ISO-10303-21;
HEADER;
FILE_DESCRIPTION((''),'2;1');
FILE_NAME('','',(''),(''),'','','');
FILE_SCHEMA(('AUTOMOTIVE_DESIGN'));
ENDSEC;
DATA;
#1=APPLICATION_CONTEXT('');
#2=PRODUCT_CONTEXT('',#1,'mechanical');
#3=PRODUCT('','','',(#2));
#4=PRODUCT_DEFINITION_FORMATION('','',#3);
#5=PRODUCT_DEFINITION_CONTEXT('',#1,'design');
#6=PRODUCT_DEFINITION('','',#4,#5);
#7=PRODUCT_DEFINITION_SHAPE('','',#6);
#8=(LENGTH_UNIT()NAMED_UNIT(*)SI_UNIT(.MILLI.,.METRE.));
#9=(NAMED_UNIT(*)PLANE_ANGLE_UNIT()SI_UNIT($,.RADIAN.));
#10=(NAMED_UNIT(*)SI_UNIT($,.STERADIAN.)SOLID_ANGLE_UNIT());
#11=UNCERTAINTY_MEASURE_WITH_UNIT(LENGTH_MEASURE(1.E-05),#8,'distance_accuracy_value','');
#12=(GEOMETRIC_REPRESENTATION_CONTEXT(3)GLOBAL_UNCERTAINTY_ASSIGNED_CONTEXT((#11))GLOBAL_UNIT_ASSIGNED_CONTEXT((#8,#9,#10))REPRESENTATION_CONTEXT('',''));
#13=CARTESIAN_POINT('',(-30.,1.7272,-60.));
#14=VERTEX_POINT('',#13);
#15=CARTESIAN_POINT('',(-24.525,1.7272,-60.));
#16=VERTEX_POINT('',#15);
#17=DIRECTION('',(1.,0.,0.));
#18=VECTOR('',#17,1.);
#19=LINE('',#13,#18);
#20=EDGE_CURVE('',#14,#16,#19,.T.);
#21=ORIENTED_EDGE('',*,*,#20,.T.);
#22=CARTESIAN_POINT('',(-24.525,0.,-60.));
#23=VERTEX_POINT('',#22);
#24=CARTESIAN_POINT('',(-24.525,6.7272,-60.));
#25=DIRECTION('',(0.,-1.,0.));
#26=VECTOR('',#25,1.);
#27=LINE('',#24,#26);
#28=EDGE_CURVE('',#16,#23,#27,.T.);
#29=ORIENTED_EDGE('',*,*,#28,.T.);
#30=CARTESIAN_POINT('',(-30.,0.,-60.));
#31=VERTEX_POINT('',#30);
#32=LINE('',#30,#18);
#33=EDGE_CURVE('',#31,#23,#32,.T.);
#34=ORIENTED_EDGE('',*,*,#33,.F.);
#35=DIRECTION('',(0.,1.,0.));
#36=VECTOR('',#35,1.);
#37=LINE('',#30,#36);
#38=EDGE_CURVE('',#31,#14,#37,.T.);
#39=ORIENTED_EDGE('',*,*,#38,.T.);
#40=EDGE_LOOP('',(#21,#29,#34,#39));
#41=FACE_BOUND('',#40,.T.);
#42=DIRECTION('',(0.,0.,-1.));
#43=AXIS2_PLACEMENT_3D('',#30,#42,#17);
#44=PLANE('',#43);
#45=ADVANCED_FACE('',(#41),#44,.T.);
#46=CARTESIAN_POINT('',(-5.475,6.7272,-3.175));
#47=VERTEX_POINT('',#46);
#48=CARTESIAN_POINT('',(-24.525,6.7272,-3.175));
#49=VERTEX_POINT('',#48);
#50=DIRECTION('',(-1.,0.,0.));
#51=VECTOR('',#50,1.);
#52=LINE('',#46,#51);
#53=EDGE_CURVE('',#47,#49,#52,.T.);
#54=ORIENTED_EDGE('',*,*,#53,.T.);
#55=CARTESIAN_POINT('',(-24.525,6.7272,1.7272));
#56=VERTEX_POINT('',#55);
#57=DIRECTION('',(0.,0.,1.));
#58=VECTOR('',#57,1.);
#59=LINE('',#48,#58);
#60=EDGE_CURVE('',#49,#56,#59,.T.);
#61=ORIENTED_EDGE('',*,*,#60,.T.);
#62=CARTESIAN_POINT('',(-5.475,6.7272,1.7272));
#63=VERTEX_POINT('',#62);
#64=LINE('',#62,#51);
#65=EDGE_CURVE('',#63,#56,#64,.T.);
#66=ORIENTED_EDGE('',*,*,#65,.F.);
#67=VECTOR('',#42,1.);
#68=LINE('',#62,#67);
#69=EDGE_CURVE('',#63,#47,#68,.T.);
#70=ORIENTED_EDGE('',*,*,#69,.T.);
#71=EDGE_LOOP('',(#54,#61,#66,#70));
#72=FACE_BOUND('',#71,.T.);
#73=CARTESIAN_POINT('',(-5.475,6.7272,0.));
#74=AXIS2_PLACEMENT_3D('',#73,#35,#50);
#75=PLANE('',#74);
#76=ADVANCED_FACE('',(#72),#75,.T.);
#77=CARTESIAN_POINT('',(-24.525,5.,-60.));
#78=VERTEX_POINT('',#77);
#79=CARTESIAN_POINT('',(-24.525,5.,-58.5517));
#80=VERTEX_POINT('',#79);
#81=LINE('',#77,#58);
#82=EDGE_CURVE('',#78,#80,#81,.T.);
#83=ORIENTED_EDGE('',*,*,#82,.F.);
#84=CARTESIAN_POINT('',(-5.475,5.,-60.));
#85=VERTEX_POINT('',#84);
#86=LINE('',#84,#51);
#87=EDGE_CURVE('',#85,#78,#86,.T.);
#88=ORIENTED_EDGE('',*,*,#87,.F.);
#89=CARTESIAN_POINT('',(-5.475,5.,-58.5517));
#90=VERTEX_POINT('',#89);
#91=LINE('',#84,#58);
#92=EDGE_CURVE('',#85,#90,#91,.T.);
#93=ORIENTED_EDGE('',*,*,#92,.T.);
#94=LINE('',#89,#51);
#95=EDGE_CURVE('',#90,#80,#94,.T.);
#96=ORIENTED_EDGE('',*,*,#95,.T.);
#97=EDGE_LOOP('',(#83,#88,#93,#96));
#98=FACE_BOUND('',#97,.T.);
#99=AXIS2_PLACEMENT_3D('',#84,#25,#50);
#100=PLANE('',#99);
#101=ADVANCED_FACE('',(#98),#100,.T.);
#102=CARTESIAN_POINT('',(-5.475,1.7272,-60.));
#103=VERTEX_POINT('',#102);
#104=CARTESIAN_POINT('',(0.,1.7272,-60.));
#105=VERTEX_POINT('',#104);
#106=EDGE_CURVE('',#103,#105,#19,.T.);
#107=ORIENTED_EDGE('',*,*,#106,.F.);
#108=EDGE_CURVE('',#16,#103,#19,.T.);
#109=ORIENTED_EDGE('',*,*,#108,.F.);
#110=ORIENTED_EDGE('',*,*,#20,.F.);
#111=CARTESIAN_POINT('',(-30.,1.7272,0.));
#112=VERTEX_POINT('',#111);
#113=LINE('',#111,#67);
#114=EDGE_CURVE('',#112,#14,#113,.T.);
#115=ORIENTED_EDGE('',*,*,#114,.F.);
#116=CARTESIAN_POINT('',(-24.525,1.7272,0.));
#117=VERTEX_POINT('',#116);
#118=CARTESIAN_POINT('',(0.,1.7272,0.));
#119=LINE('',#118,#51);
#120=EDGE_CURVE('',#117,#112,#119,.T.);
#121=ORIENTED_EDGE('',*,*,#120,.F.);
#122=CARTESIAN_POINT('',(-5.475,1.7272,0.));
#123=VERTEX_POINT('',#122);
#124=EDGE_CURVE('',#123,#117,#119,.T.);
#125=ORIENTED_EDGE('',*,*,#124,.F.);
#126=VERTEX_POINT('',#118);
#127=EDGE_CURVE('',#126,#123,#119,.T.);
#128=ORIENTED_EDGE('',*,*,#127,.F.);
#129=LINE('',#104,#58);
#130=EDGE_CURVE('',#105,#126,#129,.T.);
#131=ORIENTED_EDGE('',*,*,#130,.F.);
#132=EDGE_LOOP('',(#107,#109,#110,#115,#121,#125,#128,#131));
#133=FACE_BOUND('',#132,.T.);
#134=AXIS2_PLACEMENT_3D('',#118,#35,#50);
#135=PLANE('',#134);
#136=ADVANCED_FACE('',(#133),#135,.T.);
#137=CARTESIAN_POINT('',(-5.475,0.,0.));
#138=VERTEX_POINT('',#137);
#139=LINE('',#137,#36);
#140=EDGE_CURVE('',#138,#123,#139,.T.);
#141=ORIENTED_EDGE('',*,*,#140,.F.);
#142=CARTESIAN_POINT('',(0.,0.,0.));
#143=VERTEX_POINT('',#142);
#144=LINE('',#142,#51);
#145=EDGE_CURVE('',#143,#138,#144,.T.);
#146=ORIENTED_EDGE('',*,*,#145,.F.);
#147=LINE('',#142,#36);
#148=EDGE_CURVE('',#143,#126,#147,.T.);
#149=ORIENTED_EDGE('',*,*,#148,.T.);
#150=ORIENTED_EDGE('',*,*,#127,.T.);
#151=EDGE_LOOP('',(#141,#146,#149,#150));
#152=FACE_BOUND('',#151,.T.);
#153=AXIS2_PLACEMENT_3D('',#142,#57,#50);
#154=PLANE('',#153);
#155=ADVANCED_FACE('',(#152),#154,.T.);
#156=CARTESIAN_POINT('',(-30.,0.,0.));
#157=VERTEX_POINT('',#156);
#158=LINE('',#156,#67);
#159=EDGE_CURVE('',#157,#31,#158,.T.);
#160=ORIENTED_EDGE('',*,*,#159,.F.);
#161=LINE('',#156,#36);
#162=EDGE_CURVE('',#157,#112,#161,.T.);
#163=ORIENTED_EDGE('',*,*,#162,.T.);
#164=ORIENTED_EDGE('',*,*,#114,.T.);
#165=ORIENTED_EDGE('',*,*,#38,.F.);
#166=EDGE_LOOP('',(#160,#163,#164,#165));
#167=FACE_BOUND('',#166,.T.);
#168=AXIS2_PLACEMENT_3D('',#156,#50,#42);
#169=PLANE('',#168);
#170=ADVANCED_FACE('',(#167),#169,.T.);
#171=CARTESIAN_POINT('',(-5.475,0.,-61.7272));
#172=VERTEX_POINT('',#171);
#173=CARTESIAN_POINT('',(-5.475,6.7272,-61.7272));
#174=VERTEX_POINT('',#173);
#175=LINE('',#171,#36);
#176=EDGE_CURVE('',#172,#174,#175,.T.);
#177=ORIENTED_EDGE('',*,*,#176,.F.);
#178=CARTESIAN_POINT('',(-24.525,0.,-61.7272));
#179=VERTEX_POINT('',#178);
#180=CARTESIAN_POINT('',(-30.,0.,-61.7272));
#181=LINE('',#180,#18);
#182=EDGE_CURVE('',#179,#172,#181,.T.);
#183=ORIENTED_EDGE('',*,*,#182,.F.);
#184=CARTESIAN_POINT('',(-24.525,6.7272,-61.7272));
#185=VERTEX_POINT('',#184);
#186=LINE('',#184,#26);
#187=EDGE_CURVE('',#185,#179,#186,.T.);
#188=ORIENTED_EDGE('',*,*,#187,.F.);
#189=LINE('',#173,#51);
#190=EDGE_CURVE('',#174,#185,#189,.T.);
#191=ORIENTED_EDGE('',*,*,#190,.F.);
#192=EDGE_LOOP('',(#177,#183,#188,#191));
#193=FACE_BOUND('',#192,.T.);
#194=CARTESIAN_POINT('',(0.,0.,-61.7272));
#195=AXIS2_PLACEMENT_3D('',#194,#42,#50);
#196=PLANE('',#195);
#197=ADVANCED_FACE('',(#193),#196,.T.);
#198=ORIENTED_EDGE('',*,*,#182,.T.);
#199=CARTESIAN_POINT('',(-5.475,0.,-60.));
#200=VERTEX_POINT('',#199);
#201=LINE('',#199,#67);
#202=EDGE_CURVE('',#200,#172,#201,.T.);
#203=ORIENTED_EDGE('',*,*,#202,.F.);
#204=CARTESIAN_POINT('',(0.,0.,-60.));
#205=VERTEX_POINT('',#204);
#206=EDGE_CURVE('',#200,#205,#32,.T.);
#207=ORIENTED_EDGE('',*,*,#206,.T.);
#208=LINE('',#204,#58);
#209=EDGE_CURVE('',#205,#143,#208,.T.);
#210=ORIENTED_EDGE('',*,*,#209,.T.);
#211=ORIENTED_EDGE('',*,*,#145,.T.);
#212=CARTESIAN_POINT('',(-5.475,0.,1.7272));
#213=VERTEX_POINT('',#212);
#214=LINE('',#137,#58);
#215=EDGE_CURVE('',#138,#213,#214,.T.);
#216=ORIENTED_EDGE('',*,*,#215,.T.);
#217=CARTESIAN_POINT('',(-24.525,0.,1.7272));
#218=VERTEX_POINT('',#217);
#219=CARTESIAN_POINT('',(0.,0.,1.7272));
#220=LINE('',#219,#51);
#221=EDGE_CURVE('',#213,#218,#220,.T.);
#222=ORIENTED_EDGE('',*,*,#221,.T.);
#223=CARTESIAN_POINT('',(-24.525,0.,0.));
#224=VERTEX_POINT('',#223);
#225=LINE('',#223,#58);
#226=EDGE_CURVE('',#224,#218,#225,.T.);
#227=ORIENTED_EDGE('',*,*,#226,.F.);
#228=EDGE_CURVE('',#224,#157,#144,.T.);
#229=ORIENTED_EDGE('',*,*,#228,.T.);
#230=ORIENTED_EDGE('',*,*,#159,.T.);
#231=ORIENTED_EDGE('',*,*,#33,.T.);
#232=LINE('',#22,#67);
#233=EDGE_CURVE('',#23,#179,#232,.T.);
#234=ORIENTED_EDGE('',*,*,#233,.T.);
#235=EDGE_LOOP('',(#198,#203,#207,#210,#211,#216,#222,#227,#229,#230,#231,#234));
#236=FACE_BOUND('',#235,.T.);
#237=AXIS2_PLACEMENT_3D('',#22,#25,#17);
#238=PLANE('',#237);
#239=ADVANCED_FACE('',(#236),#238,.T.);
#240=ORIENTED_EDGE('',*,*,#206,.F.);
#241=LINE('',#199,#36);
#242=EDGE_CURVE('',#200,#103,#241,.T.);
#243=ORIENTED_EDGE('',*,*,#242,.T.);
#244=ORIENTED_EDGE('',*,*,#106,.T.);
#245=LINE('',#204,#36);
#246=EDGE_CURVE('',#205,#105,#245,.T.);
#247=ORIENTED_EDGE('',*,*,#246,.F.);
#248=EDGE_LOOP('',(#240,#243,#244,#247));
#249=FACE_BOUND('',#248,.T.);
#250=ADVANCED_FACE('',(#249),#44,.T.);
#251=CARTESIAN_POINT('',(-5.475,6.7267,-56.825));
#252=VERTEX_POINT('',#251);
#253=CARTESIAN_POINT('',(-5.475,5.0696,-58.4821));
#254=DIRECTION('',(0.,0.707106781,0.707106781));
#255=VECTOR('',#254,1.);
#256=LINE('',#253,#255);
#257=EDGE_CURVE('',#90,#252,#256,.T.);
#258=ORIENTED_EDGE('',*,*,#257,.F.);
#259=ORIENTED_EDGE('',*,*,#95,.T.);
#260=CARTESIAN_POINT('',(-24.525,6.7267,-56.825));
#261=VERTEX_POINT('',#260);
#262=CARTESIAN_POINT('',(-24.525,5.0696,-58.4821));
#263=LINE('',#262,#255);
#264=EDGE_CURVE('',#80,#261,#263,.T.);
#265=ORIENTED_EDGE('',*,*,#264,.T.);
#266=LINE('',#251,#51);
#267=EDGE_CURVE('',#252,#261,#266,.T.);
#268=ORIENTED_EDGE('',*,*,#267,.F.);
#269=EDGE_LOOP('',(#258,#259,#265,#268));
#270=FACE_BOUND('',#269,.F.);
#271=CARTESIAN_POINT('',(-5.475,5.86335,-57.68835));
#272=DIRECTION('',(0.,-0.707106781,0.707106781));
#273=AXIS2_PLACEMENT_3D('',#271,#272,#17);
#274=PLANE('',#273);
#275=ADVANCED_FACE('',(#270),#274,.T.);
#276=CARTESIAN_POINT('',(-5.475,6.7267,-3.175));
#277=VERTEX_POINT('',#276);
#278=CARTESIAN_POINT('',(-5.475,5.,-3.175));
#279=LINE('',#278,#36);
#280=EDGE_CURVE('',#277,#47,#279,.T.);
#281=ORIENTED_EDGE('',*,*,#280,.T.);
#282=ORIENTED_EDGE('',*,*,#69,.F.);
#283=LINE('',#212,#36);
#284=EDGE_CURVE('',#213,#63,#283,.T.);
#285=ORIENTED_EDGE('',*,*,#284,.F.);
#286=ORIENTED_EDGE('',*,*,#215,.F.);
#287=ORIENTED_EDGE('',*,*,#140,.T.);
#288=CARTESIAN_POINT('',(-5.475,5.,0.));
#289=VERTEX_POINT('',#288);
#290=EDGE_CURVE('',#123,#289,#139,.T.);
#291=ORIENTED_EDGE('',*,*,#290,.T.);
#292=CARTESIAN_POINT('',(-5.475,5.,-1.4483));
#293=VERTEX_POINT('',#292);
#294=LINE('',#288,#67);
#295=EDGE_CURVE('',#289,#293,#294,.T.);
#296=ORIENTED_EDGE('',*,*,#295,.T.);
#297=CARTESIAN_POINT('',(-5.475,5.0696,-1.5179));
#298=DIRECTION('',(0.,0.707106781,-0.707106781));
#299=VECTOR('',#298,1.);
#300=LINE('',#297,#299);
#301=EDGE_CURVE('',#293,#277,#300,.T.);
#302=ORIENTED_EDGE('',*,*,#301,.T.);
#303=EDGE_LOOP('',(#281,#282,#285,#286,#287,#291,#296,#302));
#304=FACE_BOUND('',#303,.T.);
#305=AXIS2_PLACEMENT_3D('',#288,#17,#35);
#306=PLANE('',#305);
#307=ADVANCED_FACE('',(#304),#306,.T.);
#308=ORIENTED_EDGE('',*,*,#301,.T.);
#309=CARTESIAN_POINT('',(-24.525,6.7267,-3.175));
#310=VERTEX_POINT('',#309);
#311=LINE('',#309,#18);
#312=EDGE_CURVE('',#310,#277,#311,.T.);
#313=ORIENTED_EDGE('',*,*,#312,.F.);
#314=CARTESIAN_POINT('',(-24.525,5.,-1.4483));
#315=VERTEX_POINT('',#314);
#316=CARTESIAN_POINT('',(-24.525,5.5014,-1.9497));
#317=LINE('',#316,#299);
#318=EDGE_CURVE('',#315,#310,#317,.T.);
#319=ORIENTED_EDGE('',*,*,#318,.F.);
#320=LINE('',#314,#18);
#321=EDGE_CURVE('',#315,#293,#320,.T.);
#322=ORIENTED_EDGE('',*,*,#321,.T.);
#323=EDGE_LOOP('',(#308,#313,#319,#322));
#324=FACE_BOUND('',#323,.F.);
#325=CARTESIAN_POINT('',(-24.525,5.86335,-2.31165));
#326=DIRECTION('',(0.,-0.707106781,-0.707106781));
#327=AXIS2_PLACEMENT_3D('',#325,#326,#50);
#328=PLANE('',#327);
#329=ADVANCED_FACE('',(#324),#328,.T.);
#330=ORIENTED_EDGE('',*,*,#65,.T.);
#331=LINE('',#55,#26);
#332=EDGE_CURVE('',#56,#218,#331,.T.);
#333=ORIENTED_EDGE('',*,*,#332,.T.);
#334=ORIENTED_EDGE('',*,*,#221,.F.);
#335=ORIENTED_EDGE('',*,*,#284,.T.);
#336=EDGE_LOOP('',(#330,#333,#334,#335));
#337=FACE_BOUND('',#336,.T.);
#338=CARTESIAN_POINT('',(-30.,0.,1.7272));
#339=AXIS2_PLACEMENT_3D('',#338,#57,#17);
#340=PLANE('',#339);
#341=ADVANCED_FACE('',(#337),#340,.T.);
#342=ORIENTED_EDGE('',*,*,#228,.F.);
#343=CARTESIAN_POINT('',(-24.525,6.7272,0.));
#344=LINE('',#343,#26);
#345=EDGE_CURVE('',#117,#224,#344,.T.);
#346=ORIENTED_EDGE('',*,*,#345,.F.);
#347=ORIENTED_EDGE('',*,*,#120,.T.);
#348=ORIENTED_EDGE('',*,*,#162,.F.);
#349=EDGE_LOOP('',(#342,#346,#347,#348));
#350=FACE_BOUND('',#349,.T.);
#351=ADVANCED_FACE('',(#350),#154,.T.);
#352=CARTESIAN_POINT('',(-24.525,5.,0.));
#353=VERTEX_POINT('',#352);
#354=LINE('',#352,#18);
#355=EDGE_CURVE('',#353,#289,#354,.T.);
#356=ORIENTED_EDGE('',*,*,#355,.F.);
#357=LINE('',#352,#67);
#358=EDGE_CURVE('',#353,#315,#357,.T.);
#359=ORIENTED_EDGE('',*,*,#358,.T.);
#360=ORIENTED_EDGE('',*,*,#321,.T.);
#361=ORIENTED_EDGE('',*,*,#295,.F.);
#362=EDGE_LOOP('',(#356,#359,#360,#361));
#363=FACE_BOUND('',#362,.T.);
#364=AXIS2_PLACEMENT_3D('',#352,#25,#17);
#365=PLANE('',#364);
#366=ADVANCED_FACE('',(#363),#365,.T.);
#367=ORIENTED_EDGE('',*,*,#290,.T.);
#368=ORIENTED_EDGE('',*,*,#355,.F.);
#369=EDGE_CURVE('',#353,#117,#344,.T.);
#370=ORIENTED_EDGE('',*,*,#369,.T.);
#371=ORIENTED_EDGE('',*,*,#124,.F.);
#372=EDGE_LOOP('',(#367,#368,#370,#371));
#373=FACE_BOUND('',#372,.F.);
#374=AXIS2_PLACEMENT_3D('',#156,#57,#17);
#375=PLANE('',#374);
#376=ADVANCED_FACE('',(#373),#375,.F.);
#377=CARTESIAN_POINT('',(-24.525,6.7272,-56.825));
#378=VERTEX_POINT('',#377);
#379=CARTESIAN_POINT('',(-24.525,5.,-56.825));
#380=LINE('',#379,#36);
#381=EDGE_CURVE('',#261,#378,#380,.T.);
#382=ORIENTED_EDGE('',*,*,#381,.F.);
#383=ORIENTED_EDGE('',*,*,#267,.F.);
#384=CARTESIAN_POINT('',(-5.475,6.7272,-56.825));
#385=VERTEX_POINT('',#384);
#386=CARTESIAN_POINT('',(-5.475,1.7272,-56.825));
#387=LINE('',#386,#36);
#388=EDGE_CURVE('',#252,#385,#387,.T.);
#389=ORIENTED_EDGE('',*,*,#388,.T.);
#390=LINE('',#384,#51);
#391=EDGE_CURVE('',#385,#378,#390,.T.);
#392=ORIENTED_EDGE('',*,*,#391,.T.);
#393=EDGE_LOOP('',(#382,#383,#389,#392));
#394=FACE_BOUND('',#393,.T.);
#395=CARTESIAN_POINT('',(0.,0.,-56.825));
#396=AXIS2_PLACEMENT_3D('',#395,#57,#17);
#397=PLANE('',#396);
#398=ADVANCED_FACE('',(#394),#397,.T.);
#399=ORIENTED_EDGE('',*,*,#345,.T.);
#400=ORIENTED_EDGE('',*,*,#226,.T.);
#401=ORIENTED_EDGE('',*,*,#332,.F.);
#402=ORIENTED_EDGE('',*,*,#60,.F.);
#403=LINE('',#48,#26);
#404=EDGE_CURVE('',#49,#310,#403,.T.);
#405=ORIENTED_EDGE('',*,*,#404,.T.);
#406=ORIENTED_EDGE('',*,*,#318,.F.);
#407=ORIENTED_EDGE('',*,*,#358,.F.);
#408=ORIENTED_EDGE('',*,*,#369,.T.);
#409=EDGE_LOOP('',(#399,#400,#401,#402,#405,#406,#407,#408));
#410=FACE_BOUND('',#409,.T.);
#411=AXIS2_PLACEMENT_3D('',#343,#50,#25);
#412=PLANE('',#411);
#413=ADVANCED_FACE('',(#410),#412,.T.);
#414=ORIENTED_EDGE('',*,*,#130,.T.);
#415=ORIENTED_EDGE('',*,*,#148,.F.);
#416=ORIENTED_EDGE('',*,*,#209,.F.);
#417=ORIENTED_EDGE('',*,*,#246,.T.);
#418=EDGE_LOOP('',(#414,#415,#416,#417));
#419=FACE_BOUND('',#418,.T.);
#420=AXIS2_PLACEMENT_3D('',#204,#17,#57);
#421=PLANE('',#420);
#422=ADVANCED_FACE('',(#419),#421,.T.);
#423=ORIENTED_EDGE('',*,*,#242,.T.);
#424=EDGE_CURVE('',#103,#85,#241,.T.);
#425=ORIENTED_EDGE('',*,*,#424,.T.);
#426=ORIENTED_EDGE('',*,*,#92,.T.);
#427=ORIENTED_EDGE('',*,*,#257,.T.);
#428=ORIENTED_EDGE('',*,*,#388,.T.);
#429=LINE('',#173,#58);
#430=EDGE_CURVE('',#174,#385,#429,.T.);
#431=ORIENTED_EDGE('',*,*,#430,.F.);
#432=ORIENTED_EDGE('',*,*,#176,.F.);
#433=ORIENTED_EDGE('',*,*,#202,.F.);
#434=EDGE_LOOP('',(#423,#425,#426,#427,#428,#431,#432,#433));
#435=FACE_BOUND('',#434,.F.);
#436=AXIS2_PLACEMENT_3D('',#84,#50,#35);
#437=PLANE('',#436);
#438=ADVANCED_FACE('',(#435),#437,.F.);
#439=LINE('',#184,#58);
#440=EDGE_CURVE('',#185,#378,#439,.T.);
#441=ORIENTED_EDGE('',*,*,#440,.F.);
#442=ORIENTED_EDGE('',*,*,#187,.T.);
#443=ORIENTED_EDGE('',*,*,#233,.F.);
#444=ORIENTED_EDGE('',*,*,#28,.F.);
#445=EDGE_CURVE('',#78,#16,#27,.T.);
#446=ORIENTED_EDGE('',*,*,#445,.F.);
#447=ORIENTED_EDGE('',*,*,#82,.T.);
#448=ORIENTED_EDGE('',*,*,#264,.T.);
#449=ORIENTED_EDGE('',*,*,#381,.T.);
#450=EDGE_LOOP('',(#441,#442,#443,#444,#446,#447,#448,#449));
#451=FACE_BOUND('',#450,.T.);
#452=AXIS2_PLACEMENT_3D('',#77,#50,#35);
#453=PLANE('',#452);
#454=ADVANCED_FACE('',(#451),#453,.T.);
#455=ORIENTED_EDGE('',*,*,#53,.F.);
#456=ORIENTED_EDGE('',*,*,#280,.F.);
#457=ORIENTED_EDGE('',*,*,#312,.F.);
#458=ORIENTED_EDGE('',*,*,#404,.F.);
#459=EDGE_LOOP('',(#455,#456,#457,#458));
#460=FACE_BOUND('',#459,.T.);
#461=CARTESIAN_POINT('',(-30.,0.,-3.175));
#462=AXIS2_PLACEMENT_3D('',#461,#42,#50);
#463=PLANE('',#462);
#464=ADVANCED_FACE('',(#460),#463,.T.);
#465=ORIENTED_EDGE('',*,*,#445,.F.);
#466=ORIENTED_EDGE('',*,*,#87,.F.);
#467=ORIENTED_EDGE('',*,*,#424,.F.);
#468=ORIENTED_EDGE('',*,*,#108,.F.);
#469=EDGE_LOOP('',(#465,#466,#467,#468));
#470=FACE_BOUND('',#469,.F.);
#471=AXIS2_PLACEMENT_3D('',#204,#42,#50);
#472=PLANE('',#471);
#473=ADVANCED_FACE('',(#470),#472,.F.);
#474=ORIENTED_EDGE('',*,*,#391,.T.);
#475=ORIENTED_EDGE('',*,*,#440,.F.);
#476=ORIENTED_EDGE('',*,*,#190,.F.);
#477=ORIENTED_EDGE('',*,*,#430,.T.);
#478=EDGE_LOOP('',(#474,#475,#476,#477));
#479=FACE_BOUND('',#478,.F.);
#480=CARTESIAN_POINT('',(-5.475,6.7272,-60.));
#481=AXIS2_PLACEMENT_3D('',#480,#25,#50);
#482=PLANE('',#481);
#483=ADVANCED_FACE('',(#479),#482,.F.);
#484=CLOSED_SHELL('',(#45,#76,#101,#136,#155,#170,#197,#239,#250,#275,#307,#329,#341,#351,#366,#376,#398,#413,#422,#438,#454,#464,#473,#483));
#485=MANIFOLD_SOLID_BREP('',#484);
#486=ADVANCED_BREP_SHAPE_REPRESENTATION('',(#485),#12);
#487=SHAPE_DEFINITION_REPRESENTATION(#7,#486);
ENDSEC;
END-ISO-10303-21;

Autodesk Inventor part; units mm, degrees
ref_plane "YZ Plane" through (0, 0, 0) normal (1, 0, 0) x (0, 1, 0)
ref_plane "XZ Plane" through (0, 0, 0) normal (0, 1, 0) x (-1, 0, 0)
ref_plane "XY Plane" through (0, 0, 0) normal (0, 0, 1) x (1, 0, 0)
sketch "Sketch1" plane through (0, 0, 0) normal (0, 1, 0) x (-1, 0, 0)
  line L0 (0, 0) -> (30, 0)
  line L1 (30, 0) -> (30, -60)
  line L2 (30, -60) -> (0, -60)
  line L3 (0, -60) -> (0, 0)
  dimension "d0" = 30
  dimension "d1" = 60
extrude "Extrusion1" add sketch "Sketch1" along normal blind 1.7272
sketch "Sketch2" plane through (-30, 0, 0) normal (0, 0, 1) x (1, 0, 0)
  line L0 (30, 0) -> (0, 0) projected
  line L1 (5.475, 0) -> (24.525, 0)
  line L2 (24.525, 0) -> (24.525, 6.7272)
  line L3 (24.525, 6.7272) -> (5.475, 6.7272)
  line L4 (5.475, 6.7272) -> (5.475, 0)
  point P0 (15, 6.7272)
  point P1 (15, 0)
  dimension "d4" = 19.05
  dimension "d5" = 6.7272
extrude "Extrusion2" add sketch "Sketch2" along normal blind 1.7272
sketch "Sketch3" plane through (-30, 0, 0) normal (0, 0, -1) x (-1, 0, 0)
  line L0 (-24.525, 6.7272) -> (-5.475, 6.7272) projected
  line L1 (-5.475, 6.7272) -> (-5.475, 1.7272) projected
  line L2 (-24.525, 6.7272) -> (-5.475, 6.7272)
  line L3 (-5.475, 6.7272) -> (-5.475, 5)
  line L4 (-5.475, 5) -> (-24.525, 5)
  line L5 (-24.525, 5) -> (-24.525, 6.7272)
  point P0 (-30, 0)
  dimension "d8" = 1.7272
extrude "Extrusion3" add sketch "Sketch3" along normal blind 3.175
sketch "Sketch4" plane through (0, 0, -60) normal (0, 0, -1) x (-1, 0, 0)
  line L0 (30, 0) -> (0, 0) projected
  line L1 (5.475, 6.7272) -> (24.525, 6.7272)
  line L2 (24.525, 6.7272) -> (24.525, 0)
  line L3 (24.525, 0) -> (5.475, 0)
  line L4 (5.475, 0) -> (5.475, 6.7272)
  line L5 (24.525, 6.7272) -> (5.475, 6.7272) projected
  point P0 (15, 6.7272)
  point P1 (15, 6.7272)
  dimension "d11" = 19.05
  dimension "d12" = 6.7272
extrude "Extrusion4" add sketch "Sketch4" along normal blind 1.7272
sketch "Sketch5" plane through (0, 0, -60) normal (0, 0, 1) x (1, 0, 0)
  line L0 (-5.475, 6.7272) -> (-24.525, 6.7272) projected
  line L1 (-5.475, 1.7272) -> (-5.475, 6.7272) projected
  line L2 (-24.525, 6.7272) -> (-5.475, 6.7272)
  line L3 (-5.475, 6.7272) -> (-5.475, 5)
  line L4 (-5.475, 5) -> (-24.525, 5)
  line L5 (-24.525, 5) -> (-24.525, 6.7272)
  point P0 (0, 0)
  dimension "d15" = 1.7272
extrude "Extrusion5" add sketch "Sketch5" along normal blind 3.175
chamfer "Chamfer1" distance 1.7272 angle 45 2 edges at (-15, 5, -3.175) (-15, 5, -56.825)
properties part number "PanelHolder"
